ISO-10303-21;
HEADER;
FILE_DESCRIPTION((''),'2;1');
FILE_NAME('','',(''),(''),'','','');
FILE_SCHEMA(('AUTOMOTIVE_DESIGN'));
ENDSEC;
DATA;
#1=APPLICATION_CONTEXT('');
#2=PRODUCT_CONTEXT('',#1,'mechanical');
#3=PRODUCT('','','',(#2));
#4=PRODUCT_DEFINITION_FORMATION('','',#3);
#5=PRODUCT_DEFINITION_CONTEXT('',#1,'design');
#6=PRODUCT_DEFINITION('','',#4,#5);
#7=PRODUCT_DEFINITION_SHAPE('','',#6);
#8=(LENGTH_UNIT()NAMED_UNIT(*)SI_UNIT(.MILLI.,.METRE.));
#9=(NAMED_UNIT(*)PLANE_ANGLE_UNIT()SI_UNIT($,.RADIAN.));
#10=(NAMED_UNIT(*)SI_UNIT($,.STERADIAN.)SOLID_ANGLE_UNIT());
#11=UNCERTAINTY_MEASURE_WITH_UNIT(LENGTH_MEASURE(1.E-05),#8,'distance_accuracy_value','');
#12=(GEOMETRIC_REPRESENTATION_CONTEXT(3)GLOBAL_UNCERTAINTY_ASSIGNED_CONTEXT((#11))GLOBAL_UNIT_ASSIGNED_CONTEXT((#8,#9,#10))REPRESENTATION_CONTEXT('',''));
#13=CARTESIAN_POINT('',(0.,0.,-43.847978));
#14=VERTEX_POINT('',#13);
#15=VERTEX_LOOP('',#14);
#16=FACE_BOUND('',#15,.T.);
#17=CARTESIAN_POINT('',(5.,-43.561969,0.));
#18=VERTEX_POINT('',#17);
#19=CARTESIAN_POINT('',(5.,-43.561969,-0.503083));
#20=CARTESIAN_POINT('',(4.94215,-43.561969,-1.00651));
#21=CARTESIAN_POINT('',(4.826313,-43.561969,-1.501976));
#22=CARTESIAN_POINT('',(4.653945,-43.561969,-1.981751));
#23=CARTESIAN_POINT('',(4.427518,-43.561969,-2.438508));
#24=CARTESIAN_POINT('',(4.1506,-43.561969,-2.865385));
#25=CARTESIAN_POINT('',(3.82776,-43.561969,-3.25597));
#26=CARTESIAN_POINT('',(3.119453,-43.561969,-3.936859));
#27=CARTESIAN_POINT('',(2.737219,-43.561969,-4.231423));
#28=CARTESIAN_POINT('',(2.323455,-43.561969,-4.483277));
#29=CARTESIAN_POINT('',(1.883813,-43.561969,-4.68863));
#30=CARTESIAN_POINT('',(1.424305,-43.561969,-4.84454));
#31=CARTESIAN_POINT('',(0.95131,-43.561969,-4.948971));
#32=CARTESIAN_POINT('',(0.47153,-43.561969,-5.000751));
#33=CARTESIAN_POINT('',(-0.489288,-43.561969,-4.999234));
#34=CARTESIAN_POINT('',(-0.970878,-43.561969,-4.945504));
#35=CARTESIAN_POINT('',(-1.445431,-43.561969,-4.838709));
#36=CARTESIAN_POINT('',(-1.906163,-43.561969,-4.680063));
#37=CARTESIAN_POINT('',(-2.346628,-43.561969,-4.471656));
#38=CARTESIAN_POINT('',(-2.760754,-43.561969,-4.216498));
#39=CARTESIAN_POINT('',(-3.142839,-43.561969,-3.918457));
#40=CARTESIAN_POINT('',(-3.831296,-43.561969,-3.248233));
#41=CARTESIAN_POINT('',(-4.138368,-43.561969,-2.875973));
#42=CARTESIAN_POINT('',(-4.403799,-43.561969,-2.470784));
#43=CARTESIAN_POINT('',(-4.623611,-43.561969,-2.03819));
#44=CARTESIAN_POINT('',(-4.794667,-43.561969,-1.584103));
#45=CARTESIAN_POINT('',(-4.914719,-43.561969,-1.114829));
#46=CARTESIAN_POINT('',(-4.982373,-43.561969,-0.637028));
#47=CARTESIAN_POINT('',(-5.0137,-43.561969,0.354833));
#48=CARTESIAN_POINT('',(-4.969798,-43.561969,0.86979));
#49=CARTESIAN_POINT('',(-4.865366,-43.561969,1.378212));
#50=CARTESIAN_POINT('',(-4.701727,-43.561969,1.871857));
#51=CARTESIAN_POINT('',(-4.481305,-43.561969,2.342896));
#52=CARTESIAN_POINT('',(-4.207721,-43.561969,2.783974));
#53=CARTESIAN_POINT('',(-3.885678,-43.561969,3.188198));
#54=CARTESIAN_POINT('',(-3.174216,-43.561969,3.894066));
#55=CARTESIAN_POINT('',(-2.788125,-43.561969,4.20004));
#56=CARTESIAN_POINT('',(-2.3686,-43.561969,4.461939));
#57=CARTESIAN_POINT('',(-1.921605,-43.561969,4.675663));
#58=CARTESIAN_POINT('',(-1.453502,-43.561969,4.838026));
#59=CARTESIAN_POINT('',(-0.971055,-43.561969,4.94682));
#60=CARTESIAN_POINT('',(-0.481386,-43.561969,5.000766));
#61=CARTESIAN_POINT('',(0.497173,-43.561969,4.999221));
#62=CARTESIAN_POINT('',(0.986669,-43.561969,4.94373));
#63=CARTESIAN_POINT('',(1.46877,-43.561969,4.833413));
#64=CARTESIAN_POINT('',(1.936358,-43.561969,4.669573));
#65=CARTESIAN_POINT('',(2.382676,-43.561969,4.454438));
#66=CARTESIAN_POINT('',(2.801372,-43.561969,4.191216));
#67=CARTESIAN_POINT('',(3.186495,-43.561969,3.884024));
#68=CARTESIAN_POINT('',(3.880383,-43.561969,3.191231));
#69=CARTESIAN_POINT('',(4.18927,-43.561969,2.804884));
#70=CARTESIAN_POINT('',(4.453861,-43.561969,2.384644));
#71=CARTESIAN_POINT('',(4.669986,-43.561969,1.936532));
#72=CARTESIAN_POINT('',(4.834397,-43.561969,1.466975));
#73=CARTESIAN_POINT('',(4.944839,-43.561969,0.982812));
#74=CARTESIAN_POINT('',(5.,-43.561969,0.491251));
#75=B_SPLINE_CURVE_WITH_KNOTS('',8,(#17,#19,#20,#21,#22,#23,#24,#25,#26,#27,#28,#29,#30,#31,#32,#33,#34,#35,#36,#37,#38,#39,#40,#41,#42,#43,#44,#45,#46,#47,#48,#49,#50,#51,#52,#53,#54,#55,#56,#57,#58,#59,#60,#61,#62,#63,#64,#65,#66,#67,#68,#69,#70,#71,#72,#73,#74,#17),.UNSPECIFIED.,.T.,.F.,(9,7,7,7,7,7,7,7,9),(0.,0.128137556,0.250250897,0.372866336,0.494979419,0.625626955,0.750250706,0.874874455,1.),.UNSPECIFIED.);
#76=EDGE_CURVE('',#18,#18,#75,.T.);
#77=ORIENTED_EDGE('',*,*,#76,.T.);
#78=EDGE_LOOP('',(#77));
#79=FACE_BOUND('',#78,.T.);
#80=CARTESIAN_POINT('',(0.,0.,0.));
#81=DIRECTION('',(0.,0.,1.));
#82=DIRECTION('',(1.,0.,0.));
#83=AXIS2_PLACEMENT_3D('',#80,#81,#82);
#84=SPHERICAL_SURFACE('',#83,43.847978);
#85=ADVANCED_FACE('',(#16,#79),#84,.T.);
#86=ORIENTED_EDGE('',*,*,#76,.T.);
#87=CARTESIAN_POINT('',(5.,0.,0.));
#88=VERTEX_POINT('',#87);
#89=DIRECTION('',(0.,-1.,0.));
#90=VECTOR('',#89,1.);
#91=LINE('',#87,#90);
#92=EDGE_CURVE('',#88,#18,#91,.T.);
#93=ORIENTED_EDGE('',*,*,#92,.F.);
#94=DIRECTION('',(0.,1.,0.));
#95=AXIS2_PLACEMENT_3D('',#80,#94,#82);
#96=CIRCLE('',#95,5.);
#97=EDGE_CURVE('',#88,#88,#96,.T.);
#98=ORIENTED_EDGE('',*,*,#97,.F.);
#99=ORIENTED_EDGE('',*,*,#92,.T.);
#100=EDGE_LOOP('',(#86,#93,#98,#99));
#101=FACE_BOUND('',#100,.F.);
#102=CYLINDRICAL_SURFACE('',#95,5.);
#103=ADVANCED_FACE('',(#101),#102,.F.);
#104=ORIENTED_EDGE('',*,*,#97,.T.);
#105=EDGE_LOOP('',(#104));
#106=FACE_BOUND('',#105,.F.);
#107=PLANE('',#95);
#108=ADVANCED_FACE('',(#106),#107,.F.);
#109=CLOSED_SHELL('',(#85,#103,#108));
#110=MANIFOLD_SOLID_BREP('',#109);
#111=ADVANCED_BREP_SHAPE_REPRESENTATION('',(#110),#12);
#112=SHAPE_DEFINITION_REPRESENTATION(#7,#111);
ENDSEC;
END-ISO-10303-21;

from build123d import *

# Parameters (mm, degrees)
F2_D     = 10
F2_DEPTH = 100
F2_TIP   = 3.0043030951


with BuildPart() as f1:
    # F0 (on Front) → F1 (revolve)
    with BuildSketch(Plane.XZ):
        with BuildLine():
            Line((0, 43.8479781151), (0, -43.8479781151))
            ThreePointArc((0, -43.8479781151), (43.8479781151, 0), (0, 43.8479781151))
        make_face()
    revolve(axis=Axis((0, 0, 0), (0, 0, 1)))

    # F2 (one way)
    with BuildSketch(Plane(origin=(0, 0, 0), x_dir=(1, 0, 0), z_dir=(0, 1, 0))):
        with Locations((0, 0)):
            Circle(F2_D / 2)
    extrude(amount=-F2_DEPTH, mode=Mode.SUBTRACT)
    with Locations(Plane(origin=(0, 0, 0), x_dir=(1, 0, 0), z_dir=(0, 1, 0))):
        with Locations((0, 0)):
            with Locations((0, 0, -(F2_DEPTH + F2_TIP / 2))):  # 118° drill point
                Cone(0, F2_D / 2, F2_TIP, mode=Mode.SUBTRACT)


solid = f1.part
